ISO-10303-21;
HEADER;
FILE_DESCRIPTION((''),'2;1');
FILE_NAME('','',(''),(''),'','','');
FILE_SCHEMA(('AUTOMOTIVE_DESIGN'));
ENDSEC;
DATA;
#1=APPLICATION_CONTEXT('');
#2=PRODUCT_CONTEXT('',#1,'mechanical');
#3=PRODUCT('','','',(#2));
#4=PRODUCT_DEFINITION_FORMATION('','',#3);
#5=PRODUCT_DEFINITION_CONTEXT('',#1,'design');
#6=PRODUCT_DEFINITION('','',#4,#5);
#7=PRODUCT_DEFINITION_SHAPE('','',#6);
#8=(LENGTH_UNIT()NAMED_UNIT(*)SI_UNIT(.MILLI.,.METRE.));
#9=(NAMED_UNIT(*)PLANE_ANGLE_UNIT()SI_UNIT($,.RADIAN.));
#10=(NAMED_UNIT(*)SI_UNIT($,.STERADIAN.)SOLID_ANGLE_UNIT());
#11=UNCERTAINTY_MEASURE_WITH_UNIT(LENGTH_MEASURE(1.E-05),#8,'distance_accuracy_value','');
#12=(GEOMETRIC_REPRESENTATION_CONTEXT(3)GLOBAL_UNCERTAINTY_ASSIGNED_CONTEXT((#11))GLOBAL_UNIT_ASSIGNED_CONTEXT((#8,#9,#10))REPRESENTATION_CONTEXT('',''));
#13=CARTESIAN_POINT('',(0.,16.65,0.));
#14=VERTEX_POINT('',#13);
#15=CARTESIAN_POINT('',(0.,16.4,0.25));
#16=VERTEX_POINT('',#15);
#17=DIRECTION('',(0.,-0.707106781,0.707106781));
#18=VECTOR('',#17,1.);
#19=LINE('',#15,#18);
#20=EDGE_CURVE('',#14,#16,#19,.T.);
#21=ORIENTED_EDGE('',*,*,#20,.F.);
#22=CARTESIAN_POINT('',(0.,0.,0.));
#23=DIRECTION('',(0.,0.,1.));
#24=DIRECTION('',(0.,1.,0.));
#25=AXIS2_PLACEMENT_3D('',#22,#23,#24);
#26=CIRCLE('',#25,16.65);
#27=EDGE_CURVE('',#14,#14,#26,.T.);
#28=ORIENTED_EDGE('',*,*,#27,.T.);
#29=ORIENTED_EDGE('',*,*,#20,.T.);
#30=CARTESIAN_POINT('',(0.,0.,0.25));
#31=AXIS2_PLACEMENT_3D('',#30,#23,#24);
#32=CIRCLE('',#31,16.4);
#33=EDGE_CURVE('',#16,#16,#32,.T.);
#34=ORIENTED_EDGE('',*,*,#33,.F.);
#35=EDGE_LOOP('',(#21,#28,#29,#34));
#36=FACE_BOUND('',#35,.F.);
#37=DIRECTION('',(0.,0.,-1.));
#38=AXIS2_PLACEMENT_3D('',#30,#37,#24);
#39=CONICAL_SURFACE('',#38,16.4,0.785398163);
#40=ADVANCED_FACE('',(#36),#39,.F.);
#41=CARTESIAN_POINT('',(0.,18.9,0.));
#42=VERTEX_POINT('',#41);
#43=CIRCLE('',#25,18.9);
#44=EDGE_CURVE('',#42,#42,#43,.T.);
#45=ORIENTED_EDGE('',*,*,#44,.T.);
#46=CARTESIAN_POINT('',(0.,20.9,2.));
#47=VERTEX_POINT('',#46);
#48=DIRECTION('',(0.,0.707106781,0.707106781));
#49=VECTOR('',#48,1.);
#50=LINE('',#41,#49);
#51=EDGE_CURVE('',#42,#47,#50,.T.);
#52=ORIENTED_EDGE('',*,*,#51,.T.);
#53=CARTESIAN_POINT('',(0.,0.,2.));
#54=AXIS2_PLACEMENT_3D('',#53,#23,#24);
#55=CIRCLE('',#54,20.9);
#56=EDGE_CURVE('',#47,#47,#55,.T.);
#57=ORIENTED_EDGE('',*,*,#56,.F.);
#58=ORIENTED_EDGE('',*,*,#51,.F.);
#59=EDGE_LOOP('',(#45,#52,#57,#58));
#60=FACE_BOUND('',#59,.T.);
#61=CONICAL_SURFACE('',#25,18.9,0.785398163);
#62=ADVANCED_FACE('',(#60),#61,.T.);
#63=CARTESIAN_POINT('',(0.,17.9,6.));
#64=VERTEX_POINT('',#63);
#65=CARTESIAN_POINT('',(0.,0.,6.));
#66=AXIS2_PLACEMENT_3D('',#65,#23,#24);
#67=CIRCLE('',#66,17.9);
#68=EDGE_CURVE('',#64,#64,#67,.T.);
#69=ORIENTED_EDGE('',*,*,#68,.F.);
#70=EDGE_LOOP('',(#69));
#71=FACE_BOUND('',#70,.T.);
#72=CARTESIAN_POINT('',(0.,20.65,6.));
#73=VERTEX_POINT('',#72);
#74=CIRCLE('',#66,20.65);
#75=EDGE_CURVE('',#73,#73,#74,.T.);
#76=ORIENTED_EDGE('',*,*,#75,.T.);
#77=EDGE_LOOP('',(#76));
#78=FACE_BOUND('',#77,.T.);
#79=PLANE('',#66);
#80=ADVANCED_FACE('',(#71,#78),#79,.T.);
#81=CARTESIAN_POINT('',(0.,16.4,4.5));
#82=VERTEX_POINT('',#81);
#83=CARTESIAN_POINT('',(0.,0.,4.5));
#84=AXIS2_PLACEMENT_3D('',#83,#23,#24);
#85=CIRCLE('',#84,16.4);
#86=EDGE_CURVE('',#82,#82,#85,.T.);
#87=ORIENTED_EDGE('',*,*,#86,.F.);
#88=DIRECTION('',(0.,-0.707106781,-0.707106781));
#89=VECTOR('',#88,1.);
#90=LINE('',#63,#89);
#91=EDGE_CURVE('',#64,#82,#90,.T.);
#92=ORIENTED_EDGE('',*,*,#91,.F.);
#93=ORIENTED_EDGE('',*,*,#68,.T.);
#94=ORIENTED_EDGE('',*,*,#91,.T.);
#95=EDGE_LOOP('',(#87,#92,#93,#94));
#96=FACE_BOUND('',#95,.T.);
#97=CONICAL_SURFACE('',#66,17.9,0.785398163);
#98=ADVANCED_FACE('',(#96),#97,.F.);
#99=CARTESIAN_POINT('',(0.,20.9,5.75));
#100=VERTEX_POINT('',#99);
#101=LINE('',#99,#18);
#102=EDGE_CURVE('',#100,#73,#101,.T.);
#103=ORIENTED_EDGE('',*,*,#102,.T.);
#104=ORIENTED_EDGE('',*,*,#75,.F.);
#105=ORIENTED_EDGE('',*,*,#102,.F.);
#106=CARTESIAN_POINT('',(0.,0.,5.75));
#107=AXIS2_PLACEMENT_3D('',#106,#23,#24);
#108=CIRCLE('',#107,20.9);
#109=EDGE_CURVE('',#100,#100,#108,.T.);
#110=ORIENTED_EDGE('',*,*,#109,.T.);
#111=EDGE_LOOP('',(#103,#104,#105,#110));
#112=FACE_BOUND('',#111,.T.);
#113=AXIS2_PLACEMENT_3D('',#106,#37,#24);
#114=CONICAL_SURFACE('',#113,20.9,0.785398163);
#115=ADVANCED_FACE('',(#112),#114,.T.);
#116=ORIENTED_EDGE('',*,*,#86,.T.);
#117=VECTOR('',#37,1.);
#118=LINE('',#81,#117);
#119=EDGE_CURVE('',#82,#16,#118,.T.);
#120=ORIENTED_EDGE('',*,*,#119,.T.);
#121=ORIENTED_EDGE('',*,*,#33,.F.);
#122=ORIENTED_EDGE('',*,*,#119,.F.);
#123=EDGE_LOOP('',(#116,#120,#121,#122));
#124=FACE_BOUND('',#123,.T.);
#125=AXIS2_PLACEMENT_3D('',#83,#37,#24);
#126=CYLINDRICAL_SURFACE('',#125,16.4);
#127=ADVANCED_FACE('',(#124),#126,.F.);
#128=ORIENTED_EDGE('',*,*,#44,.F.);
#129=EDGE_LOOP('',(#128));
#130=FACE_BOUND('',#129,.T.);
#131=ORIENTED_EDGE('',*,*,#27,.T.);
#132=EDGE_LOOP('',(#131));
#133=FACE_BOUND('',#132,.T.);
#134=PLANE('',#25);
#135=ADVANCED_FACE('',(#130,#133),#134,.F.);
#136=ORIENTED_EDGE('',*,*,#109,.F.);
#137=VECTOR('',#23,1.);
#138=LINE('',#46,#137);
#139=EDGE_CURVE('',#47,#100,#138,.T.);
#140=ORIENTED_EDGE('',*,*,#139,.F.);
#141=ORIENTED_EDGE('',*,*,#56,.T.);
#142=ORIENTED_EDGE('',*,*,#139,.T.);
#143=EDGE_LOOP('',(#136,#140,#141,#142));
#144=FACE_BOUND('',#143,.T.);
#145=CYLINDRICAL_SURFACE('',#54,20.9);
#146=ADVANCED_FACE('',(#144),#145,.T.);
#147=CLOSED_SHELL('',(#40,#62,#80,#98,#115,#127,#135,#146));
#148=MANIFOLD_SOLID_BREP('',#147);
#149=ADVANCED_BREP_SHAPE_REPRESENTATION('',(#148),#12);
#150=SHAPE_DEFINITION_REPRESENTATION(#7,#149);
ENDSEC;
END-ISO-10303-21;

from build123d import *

# Parameters (mm, degrees)
F2_SIZE = 0.25
F3_SIZE = 0.25


with BuildPart() as f1:
    # F0 (on Right) → F1 (revolve)
    with BuildSketch(Plane.YZ):
        Polygon((17.9, 6), (16.4, 4.5), (16.4, 0), (18.9, 0), (20.9, 2), (20.9, 6), align=None)
    revolve(axis=Axis((0, 0, 6.363279), (0, 0, 1)))

    # F2
    f2_edges = [f1.edges().sort_by_distance(p)[0] for p in [
        (0, -20.9, 6),
    ]]
    chamfer(f2_edges, length=F2_SIZE)

    # F3
    f3_edges = [f1.edges().sort_by_distance(p)[0] for p in [
        (0, -16.4, 0),
    ]]
    chamfer(f3_edges, length=F3_SIZE)


solid = f1.part
